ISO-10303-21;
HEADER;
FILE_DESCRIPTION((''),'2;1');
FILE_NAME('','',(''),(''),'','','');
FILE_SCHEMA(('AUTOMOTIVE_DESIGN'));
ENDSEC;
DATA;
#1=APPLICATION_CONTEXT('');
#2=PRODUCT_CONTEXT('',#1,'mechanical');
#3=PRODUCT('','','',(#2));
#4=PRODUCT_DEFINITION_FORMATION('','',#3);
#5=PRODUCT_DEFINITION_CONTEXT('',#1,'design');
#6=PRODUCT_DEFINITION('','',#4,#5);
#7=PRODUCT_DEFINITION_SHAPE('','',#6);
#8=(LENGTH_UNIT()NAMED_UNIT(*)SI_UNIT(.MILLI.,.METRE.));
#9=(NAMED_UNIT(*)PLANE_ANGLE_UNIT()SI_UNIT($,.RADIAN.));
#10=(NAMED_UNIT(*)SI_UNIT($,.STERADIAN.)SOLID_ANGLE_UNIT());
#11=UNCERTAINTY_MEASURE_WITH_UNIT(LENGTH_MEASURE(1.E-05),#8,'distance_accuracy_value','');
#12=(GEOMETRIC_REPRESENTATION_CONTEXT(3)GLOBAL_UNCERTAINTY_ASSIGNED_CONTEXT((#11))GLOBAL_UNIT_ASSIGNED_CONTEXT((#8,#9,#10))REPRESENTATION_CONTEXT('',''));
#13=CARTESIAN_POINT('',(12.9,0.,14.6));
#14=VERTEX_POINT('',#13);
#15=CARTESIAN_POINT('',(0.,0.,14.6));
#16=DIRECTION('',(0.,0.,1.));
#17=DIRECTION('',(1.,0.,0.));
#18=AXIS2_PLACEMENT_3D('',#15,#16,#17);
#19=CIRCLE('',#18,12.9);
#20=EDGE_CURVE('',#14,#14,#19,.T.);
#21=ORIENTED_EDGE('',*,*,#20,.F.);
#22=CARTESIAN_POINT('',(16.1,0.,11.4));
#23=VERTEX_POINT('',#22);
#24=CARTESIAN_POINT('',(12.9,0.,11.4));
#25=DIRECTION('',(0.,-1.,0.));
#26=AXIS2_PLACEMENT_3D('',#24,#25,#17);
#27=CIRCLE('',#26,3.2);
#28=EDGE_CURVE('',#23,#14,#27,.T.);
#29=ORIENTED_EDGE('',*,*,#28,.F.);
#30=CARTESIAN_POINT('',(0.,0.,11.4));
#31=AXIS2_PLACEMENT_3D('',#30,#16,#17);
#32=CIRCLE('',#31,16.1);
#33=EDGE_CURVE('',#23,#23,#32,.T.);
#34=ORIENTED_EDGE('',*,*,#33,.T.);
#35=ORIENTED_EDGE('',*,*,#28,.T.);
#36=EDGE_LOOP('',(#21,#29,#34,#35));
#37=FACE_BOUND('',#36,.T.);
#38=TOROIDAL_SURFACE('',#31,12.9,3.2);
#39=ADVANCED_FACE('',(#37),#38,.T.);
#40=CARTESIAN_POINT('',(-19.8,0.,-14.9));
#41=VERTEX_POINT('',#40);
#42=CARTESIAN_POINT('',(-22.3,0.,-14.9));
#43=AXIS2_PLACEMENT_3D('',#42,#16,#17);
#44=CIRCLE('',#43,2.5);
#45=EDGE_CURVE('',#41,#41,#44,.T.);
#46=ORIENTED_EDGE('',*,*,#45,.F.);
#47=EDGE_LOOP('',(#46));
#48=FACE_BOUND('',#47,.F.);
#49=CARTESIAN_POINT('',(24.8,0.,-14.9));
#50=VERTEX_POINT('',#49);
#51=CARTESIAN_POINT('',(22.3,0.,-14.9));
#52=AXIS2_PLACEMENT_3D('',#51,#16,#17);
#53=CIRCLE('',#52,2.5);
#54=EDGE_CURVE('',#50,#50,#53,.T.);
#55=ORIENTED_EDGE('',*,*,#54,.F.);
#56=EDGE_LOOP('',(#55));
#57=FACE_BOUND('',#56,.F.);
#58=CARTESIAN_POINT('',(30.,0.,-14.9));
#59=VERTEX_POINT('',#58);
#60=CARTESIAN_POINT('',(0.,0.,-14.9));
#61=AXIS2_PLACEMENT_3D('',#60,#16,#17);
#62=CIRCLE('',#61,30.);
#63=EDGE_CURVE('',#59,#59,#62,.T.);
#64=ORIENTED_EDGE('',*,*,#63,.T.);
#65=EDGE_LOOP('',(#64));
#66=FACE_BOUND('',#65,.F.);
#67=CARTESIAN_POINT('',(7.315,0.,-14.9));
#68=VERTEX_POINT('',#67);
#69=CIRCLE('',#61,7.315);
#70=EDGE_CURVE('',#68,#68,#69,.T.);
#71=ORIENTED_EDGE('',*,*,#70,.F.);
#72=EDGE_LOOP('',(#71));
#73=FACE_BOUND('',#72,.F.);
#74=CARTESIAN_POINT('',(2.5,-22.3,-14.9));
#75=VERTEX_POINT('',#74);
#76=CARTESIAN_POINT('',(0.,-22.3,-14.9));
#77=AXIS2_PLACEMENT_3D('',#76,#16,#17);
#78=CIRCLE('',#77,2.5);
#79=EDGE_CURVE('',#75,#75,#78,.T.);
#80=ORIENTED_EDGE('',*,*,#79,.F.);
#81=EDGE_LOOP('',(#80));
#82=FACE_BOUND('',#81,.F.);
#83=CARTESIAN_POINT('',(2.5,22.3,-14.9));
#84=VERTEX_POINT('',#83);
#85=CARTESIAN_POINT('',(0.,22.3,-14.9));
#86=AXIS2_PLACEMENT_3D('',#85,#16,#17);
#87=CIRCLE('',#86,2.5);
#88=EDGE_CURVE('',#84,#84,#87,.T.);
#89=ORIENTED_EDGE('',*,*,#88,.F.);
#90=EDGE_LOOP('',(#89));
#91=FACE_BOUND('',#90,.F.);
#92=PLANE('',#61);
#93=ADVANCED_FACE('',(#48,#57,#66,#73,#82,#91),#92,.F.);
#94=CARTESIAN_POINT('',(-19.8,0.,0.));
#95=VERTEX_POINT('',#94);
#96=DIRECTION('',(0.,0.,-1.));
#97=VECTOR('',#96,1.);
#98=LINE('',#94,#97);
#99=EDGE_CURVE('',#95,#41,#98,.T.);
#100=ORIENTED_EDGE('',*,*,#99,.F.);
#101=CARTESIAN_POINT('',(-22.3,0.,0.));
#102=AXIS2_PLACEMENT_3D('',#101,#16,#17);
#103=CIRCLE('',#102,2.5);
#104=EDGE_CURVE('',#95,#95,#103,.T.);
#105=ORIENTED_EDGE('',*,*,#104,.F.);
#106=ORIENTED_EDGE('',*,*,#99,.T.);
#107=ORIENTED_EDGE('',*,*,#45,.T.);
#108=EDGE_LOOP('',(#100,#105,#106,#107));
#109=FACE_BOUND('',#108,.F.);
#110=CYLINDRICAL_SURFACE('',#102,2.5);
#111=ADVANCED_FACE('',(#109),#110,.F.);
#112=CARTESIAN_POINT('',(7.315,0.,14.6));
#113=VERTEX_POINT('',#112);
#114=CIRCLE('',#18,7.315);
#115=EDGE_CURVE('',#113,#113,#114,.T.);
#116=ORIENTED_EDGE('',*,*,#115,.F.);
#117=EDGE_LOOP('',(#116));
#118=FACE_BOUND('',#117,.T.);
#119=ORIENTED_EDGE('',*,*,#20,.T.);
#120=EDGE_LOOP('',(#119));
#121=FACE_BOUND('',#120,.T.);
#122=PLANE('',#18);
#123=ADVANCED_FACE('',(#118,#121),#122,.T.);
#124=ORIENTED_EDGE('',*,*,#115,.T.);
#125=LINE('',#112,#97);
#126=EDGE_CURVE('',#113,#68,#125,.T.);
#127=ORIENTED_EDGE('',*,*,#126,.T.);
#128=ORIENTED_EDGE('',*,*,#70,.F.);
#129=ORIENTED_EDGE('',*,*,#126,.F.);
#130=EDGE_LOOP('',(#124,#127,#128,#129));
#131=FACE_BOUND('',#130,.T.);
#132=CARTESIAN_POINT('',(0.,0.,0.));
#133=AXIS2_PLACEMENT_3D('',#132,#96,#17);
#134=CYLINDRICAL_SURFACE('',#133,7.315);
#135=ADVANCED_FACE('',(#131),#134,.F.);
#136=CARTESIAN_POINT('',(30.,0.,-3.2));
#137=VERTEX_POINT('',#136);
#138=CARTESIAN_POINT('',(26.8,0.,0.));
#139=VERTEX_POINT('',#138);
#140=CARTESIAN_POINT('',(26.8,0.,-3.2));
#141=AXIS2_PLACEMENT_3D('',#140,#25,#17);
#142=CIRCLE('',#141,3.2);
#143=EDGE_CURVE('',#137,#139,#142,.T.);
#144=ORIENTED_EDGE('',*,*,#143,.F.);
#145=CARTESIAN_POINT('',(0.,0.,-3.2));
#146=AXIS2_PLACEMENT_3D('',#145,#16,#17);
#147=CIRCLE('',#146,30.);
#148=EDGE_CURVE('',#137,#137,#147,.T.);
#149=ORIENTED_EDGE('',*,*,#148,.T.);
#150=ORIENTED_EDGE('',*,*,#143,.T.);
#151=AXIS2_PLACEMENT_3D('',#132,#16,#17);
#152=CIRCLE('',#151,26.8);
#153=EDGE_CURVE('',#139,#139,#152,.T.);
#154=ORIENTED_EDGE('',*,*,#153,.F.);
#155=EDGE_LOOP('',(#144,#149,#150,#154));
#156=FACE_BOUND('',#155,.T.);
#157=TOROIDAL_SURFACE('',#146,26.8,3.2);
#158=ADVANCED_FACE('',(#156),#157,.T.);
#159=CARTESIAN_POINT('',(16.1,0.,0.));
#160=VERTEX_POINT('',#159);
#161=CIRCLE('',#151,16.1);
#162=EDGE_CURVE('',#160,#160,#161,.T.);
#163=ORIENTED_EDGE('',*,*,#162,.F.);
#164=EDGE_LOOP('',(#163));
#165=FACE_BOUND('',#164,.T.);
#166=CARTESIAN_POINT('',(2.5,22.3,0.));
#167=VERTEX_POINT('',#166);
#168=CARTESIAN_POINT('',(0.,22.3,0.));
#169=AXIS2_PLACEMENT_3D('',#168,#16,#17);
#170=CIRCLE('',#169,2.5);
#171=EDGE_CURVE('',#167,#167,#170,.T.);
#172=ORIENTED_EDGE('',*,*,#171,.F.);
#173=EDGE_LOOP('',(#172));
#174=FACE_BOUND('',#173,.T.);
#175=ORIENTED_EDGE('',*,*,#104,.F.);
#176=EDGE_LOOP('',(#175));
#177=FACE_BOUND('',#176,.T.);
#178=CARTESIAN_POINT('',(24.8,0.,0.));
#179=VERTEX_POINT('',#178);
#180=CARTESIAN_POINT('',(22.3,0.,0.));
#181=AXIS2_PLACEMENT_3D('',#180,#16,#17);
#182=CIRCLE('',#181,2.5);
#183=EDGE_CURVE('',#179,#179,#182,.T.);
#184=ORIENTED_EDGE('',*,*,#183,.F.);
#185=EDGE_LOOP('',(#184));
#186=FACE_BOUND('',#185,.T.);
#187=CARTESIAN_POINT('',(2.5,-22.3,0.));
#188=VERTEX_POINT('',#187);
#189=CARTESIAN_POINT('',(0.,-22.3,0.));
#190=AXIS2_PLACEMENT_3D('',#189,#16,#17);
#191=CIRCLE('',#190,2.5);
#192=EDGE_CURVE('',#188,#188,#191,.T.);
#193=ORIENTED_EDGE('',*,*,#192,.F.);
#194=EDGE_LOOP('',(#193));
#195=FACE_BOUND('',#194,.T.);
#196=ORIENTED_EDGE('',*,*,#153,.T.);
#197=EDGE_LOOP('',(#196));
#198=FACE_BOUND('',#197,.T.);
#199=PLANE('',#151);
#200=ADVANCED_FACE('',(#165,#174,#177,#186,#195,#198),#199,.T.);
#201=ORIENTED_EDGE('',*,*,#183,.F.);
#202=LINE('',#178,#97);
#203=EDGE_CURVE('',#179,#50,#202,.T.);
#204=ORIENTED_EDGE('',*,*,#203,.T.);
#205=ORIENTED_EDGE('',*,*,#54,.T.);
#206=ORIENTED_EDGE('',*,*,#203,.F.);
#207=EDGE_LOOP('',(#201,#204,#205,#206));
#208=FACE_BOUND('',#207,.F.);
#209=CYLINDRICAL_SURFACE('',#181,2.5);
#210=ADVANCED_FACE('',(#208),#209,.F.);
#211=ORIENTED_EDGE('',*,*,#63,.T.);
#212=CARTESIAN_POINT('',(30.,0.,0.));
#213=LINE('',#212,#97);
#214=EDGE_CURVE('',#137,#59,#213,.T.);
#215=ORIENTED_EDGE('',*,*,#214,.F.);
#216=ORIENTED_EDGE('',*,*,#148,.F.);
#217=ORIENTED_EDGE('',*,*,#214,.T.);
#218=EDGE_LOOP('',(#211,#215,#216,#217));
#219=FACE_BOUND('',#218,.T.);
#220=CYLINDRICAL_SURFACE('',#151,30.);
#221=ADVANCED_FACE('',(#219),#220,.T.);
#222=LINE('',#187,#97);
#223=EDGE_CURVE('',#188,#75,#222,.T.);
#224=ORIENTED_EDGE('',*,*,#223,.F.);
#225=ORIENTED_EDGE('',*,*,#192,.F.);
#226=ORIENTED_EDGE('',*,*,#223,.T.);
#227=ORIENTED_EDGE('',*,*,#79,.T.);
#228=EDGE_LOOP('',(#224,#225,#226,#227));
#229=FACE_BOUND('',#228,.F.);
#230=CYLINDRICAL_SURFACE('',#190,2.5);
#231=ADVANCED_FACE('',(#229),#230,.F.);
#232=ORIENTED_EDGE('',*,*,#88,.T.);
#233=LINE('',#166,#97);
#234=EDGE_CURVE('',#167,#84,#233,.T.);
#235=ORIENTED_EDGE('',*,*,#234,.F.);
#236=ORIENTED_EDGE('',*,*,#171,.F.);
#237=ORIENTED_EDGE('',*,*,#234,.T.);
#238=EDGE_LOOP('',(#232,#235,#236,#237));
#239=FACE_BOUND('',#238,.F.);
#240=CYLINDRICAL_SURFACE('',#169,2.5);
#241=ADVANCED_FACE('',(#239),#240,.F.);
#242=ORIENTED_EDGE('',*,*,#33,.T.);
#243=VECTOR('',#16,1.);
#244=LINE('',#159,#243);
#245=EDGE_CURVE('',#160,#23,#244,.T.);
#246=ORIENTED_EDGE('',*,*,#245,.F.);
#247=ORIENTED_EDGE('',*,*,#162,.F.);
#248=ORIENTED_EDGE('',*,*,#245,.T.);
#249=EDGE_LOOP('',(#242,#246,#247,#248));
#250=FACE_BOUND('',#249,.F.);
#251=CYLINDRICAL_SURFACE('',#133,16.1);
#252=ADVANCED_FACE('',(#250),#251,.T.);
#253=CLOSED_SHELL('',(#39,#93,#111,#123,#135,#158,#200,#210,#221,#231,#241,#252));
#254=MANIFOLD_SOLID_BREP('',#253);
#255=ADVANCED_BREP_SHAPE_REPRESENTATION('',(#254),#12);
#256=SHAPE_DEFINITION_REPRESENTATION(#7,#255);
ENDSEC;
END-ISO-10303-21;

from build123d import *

# Parameters (mm, degrees)
F0_R     = 30
F0_R_2   = 2.5
F0_R_3   = 16.1
F0_R_4   = 7.315
F1_DEPTH = 14.9
F2_R     = 3.2
F3_DEPTH = 14.6
F4_R     = 3.2


with BuildPart() as f1:
    # F0 (on Top) → F1 (new body)
    with BuildSketch(Plane.XY):
        Circle(F0_R)
        with Locations((0, -22.3)):
            Circle(F0_R_2, mode=Mode.SUBTRACT)
        with Locations((-22.3, 0)):
            Circle(F0_R_2, mode=Mode.SUBTRACT)
        Circle(F0_R_3, mode=Mode.SUBTRACT)
        with Locations((22.3, 0)):
            Circle(F0_R_2, mode=Mode.SUBTRACT)
        with Locations((0, 22.3)):
            Circle(F0_R_2, mode=Mode.SUBTRACT)
        Circle(F0_R_3)
        Circle(F0_R_4, mode=Mode.SUBTRACT)
    extrude(amount=-F1_DEPTH)

    # F2
    f2_edges = [f1.edges().sort_by_distance(p)[0] for p in [
        (-30, 0, 0),
    ]]
    fillet(f2_edges, radius=F2_R)

    # F0 (on Top) → F3 (join)
    with BuildSketch(Plane.XY):
        Circle(F0_R_3)
        Circle(F0_R_4, mode=Mode.SUBTRACT)
    extrude(amount=F3_DEPTH)

    # F4
    f4_edges = [f1.edges().sort_by_distance(p)[0] for p in [
        (-16.1, 0, 14.6),
    ]]
    fillet(f4_edges, radius=F4_R)


solid = f1.part
